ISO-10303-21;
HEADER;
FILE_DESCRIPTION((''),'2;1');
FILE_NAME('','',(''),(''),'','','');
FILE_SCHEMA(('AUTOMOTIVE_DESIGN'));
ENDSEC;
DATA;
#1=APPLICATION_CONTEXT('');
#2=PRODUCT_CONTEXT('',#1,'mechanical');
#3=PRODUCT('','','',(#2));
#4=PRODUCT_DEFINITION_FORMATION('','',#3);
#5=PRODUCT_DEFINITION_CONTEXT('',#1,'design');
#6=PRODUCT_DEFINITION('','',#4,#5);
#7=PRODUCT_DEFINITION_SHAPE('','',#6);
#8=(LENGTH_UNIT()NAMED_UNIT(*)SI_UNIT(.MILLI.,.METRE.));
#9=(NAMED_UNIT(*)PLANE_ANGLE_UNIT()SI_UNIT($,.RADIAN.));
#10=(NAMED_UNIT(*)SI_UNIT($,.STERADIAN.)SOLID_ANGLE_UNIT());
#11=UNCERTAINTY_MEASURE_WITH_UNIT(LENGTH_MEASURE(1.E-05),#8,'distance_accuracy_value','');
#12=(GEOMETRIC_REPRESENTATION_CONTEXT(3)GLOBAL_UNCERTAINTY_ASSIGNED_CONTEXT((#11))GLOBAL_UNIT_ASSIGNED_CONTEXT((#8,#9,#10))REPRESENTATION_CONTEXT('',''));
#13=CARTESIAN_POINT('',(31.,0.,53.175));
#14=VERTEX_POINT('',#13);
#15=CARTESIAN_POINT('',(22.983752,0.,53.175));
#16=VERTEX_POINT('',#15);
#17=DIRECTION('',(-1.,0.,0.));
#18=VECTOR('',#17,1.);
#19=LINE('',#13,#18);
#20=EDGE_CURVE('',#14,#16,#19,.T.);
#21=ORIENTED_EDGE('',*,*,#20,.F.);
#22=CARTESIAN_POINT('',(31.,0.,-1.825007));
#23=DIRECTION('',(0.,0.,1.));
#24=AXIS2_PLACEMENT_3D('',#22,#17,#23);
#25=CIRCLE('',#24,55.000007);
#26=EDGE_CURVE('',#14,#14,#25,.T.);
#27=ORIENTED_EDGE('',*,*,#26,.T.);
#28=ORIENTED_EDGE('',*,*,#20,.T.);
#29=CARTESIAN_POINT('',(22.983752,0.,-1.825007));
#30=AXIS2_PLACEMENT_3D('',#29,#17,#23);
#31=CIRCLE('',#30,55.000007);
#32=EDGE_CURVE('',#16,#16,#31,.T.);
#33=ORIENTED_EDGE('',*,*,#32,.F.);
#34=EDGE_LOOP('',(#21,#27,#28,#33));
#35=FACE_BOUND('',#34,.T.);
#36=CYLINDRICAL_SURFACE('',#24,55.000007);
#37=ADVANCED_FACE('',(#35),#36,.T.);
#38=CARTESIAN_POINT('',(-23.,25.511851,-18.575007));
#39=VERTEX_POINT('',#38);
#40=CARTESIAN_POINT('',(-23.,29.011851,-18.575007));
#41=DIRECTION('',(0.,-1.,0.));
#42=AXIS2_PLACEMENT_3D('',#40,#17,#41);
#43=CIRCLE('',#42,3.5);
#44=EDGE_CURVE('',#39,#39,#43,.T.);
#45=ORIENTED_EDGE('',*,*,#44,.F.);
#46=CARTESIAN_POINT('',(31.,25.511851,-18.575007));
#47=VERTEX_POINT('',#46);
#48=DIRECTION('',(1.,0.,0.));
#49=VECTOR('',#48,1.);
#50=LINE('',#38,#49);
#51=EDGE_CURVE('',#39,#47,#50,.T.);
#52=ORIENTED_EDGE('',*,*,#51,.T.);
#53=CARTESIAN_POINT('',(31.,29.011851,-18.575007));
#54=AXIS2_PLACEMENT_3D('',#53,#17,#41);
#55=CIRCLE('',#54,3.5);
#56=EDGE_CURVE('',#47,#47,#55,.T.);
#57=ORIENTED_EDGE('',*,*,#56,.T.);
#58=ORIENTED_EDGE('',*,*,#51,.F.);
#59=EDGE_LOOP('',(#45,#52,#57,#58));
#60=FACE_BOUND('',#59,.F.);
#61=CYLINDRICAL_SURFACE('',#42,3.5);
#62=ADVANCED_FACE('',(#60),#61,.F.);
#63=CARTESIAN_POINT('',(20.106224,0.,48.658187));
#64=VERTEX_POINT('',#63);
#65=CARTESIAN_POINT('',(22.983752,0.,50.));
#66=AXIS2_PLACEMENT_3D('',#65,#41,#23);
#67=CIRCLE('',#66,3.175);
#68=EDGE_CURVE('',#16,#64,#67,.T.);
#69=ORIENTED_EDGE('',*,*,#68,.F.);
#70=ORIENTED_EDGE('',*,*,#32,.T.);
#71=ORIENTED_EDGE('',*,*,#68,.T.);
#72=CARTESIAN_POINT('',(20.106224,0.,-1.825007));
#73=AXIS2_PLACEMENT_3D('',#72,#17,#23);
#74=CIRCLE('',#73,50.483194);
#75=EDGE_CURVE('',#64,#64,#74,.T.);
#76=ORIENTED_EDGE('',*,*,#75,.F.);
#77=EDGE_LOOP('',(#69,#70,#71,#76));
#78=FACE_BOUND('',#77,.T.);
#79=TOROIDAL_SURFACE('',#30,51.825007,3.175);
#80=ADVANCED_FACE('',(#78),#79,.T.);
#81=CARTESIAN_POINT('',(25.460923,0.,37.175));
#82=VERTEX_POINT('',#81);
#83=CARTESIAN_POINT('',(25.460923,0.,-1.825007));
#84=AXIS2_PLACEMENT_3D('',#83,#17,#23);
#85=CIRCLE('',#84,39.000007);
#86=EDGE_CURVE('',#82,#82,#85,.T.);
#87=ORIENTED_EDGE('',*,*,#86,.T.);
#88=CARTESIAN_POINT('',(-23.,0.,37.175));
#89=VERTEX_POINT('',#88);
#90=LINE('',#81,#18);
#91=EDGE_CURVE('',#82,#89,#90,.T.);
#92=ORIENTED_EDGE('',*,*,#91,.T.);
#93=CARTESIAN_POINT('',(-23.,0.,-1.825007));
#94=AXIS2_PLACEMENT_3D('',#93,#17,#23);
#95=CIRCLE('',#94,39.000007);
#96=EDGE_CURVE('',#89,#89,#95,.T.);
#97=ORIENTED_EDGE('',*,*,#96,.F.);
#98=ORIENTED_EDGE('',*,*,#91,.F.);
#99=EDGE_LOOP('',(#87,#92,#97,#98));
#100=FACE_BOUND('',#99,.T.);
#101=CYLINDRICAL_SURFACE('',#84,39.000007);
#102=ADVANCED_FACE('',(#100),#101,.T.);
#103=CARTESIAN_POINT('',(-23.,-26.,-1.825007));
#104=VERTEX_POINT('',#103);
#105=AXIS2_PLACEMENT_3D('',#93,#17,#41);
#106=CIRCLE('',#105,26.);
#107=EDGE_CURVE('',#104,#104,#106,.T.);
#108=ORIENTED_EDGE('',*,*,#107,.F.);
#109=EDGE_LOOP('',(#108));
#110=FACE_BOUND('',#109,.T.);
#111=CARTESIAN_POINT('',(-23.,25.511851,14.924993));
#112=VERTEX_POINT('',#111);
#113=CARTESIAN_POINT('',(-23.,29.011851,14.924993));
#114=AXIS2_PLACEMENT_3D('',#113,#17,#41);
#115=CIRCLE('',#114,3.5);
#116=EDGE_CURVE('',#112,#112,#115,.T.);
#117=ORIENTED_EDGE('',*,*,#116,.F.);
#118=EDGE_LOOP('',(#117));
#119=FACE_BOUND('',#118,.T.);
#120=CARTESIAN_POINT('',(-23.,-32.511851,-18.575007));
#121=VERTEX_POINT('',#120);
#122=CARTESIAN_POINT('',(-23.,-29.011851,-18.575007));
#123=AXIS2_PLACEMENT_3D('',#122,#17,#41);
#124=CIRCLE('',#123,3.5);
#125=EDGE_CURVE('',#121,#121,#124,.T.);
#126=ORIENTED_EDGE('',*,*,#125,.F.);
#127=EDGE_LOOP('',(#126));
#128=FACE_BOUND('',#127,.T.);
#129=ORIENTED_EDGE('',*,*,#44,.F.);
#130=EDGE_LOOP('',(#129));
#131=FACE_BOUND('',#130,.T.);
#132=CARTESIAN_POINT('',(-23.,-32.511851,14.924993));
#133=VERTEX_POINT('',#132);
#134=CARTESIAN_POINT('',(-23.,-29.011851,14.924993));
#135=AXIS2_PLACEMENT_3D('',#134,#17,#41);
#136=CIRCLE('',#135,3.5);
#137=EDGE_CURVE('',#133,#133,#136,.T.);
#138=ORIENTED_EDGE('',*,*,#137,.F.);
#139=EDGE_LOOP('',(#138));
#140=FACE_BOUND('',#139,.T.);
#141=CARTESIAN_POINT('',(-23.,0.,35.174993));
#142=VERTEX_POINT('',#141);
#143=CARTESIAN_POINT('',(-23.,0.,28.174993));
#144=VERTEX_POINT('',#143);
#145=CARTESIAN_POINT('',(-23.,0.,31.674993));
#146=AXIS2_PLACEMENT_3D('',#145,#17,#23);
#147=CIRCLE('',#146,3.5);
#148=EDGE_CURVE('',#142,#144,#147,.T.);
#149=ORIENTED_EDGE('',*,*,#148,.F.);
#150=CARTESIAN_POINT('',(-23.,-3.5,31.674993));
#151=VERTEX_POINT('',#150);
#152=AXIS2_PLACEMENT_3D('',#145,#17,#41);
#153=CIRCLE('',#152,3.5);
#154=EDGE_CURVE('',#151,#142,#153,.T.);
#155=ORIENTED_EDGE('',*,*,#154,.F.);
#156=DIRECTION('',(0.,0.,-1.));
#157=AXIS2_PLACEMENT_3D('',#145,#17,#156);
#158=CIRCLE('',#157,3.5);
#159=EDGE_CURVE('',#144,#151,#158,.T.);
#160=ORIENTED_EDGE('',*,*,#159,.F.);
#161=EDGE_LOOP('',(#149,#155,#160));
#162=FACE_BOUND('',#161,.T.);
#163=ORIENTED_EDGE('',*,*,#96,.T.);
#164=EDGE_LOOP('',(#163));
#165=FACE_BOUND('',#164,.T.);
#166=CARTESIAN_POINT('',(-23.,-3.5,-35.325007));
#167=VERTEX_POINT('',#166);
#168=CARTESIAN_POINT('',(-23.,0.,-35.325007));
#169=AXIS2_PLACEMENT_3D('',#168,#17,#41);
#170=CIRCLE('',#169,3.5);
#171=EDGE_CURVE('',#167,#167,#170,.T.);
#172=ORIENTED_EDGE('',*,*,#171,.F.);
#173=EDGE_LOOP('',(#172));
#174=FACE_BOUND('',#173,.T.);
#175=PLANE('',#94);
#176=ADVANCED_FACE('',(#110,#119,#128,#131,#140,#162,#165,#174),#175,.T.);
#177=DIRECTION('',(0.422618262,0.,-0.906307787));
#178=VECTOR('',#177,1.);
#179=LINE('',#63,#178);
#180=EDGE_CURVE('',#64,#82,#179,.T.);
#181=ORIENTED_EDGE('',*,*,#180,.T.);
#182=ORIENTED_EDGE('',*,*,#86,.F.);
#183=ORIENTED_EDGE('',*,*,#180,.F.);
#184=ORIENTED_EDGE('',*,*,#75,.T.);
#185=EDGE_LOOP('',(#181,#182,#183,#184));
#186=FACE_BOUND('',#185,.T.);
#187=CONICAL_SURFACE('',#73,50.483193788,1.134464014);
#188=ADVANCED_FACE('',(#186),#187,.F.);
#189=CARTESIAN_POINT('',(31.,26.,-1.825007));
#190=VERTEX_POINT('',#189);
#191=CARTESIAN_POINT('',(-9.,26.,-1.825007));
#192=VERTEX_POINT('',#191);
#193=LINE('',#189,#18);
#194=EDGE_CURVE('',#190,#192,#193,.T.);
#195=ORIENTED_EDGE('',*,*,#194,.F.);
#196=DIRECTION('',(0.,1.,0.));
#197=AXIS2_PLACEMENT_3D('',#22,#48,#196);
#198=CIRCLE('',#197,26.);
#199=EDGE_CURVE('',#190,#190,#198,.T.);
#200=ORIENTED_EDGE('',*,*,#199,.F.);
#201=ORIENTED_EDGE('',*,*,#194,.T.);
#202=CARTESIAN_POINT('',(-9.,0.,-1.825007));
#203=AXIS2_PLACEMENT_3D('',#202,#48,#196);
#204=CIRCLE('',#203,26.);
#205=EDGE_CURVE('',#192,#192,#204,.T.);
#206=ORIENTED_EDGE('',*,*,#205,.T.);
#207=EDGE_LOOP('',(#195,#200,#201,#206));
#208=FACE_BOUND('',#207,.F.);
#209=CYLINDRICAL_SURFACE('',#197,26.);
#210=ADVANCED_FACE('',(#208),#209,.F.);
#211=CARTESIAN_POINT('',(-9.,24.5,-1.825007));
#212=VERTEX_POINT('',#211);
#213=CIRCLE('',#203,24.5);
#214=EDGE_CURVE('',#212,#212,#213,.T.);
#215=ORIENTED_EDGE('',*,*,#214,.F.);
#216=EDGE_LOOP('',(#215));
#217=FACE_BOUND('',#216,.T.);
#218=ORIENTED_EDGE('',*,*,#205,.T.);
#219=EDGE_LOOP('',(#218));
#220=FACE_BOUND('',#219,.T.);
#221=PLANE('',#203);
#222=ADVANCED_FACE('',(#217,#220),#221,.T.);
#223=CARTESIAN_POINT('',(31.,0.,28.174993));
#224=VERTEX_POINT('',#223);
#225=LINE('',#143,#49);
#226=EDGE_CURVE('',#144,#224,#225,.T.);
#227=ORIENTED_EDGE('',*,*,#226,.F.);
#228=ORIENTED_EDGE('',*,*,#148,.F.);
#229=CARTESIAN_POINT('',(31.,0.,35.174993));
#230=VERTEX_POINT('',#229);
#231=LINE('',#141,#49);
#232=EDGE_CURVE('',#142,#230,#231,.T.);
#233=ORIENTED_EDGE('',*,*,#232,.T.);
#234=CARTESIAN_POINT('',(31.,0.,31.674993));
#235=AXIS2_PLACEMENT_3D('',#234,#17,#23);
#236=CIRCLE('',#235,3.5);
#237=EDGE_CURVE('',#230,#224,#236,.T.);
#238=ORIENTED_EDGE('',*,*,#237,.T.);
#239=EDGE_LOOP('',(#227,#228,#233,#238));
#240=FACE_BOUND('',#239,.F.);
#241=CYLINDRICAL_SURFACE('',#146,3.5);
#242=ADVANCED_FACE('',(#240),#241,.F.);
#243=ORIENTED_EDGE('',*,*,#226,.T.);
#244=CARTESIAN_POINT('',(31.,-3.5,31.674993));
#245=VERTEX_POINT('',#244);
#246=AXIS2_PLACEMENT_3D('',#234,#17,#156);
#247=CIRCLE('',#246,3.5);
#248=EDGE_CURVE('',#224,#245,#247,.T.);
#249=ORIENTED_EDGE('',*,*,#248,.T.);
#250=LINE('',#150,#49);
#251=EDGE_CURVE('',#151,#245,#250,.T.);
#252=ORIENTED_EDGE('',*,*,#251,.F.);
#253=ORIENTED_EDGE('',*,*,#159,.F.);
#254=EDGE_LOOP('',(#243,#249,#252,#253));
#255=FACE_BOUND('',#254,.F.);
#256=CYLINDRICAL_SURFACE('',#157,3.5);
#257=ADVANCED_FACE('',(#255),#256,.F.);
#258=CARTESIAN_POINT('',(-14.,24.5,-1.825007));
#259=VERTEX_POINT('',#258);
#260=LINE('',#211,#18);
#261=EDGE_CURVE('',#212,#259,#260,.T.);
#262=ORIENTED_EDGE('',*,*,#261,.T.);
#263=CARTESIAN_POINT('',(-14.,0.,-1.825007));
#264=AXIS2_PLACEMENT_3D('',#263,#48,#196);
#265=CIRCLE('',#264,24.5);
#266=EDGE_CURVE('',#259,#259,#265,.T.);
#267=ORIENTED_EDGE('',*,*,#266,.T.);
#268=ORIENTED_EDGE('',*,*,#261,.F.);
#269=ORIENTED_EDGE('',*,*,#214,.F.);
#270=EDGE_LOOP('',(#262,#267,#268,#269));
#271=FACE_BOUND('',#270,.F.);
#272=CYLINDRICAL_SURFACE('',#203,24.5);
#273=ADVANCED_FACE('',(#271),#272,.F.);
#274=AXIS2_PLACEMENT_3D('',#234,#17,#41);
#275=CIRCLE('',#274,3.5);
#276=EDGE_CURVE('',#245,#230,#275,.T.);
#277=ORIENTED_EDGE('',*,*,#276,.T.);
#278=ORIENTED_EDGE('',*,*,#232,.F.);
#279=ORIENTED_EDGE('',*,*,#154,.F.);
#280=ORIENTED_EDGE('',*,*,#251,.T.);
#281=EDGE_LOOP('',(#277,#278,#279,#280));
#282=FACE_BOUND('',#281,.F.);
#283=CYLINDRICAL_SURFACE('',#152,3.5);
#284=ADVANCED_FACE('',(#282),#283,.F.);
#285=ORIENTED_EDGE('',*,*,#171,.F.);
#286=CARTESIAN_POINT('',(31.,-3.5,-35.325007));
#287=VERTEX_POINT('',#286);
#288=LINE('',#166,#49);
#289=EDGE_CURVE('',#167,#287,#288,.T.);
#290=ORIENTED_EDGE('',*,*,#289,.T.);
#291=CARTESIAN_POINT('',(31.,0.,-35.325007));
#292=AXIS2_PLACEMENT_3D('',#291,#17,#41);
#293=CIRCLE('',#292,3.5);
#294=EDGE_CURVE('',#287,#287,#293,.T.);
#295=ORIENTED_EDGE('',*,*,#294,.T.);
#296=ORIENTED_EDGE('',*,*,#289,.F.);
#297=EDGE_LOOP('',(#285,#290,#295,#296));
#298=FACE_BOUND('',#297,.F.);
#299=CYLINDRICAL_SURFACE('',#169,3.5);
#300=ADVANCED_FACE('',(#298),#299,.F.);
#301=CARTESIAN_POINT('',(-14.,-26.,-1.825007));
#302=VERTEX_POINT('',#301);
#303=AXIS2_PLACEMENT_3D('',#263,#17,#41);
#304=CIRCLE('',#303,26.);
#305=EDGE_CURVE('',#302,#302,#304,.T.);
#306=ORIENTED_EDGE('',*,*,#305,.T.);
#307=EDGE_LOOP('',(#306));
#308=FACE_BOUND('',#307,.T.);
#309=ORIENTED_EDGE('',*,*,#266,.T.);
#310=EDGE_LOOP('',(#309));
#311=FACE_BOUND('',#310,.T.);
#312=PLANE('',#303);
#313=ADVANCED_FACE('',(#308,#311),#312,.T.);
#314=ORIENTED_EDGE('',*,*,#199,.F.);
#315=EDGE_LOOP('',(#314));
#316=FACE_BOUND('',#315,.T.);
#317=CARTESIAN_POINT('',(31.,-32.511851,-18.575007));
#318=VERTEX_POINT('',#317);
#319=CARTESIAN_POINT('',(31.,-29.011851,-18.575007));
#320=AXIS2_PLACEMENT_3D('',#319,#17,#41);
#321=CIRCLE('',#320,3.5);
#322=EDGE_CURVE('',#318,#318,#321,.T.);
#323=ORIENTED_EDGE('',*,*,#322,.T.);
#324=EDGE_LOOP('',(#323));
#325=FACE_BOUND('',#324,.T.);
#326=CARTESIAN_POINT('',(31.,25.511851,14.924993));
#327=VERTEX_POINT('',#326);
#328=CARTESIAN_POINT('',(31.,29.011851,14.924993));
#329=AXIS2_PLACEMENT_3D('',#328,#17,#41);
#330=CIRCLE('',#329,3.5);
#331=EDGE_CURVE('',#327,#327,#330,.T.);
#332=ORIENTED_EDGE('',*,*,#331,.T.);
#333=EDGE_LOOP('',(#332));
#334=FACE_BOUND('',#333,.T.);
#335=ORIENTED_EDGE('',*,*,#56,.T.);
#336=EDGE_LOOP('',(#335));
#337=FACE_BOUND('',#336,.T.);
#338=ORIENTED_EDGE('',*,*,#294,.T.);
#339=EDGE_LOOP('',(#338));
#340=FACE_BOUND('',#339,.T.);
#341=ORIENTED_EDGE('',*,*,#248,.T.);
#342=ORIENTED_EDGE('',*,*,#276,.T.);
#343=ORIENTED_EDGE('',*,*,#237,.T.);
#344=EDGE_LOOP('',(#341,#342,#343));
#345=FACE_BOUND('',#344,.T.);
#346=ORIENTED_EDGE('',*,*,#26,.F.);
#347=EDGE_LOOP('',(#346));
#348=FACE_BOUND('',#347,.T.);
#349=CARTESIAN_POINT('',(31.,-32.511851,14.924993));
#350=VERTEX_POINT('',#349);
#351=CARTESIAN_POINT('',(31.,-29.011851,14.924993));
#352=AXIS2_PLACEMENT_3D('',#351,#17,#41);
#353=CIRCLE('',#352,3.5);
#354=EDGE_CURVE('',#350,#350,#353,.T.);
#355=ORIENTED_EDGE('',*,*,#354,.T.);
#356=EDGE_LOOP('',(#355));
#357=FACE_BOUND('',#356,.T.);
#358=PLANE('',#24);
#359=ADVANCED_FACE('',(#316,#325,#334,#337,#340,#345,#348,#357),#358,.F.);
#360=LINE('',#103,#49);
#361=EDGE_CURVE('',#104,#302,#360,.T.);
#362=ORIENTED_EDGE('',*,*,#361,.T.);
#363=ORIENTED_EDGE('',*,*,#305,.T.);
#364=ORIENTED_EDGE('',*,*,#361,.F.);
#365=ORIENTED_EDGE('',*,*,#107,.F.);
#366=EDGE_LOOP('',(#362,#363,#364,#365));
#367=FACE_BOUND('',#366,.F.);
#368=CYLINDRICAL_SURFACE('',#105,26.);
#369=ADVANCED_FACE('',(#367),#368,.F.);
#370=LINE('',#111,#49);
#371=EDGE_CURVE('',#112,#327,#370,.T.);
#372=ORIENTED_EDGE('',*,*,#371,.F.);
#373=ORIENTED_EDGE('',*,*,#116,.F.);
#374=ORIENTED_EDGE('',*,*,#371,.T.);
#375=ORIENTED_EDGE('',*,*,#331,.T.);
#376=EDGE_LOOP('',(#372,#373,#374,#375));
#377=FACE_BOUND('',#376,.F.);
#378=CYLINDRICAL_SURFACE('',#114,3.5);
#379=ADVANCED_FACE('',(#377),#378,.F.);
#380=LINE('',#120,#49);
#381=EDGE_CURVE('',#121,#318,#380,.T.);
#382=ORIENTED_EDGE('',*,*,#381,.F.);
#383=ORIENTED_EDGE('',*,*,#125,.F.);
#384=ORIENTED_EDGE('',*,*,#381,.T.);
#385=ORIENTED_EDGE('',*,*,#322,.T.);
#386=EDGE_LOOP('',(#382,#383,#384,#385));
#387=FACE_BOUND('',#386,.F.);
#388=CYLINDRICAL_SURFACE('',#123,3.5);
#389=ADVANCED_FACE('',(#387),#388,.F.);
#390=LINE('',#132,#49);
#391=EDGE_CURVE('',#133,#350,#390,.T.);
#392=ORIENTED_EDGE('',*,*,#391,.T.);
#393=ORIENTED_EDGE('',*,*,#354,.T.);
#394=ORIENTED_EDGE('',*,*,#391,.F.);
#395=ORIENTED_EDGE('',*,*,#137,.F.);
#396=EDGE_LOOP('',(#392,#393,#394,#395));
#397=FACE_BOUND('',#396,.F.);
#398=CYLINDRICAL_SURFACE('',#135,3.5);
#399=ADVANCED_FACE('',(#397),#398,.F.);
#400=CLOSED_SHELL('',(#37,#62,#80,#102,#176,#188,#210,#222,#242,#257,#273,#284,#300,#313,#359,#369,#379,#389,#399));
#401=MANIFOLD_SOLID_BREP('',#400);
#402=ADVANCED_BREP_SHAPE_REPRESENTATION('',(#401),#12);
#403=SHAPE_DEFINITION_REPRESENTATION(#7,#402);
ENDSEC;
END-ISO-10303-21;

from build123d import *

# Parameters (mm, degrees)
F2_R     = 26
F3_DEPTH = 40
F4_R     = 24.5
F5_DEPTH = 5
F6_R     = 26
F7_DEPTH = 9
F8_R     = 3.5
F9_DEPTH = 54.001


with BuildPart() as f1:
    # F0 (on Front) → F1 (revolve)
    with BuildSketch(Plane.XZ):
        with BuildLine():
            Line((31, 53.175), (22.9837517073, 53.175))
            ThreePointArc((22.9837517073, 53.175), (20.3059838669, 51.7059262565), (20.1062244835, 48.658187019))
            Line((20.1062244835, 48.658187019), (25.4609225305, 37.175))
            Line((25.4609225305, 37.175), (-23, 37.175))
            Line((-23, 37.175), (-23, -1.8250067694))
            Line((-23, -1.8250067694), (31, -1.8250067694))
            Line((31, -1.8250067694), (31, 37.175))
            Line((31, 37.175), (31, 53.175))
        make_face()
    revolve(axis=Axis((4, 0, -1.8250067694), (-1, 0, 0)))

    # F2 (on face) → F3 (cut)
    with BuildSketch(Plane.YZ.offset(31)):
        with Locations((0, -1.8250067694)):
            Circle(F2_R)
    extrude(amount=-F3_DEPTH, mode=Mode.SUBTRACT)

    # F4 (on face) → F5 (cut)
    with BuildSketch(Plane.YZ.offset(-9)):
        with Locations((0, -1.8250067694)):
            Circle(F4_R)
    extrude(amount=-F5_DEPTH, mode=Mode.SUBTRACT)

    # F6 (on face) → F7 (cut)
    with BuildSketch(Plane(origin=(-23, 0, 0), x_dir=(0, -1, 0), z_dir=(-1, 0, 0))):
        with Locations((0, -1.8250067694)):
            Circle(F6_R)
    extrude(amount=-F7_DEPTH, mode=Mode.SUBTRACT)

    # F8 (on face) → F9 (cut, through all)
    with BuildSketch(Plane(origin=(-23, 0, 0), x_dir=(0, -1, 0), z_dir=(-1, 0, 0))):
        with Locations((-29.0118510268, 14.9249932306)):
            Circle(F8_R)
        with Locations((-29.0118510268, -18.5750067694)):
            Circle(F8_R)
        with Locations((0, -35.3250067694)):
            Circle(F8_R)
        with Locations((29.0118510268, -18.5750067694)):
            Circle(F8_R)
        with Locations((29.0118510268, 14.9249932306)):
            Circle(F8_R)
        with BuildLine():
            Line((0, 31.6749932306), (0, 35.1749932306))
            ThreePointArc((0, 35.1749932306), (-3.5, 31.6749932306), (0, 28.1749932306))
            Line((0, 28.1749932306), (0, 31.6749932306))
        make_face()
        with BuildLine():
            ThreePointArc((0, 28.1749932306), (2.4748737342, 29.2001194964), (3.5, 31.6749932306))
            ThreePointArc((3.5, 31.6749932306), (2.4748737342, 34.1498669647), (0, 35.1749932306))
            Line((0, 35.1749932306), (0, 31.6749932306))
            Line((0, 31.6749932306), (0, 28.1749932306))
        make_face()
    extrude(amount=-F9_DEPTH, mode=Mode.SUBTRACT)


solid = f1.part
